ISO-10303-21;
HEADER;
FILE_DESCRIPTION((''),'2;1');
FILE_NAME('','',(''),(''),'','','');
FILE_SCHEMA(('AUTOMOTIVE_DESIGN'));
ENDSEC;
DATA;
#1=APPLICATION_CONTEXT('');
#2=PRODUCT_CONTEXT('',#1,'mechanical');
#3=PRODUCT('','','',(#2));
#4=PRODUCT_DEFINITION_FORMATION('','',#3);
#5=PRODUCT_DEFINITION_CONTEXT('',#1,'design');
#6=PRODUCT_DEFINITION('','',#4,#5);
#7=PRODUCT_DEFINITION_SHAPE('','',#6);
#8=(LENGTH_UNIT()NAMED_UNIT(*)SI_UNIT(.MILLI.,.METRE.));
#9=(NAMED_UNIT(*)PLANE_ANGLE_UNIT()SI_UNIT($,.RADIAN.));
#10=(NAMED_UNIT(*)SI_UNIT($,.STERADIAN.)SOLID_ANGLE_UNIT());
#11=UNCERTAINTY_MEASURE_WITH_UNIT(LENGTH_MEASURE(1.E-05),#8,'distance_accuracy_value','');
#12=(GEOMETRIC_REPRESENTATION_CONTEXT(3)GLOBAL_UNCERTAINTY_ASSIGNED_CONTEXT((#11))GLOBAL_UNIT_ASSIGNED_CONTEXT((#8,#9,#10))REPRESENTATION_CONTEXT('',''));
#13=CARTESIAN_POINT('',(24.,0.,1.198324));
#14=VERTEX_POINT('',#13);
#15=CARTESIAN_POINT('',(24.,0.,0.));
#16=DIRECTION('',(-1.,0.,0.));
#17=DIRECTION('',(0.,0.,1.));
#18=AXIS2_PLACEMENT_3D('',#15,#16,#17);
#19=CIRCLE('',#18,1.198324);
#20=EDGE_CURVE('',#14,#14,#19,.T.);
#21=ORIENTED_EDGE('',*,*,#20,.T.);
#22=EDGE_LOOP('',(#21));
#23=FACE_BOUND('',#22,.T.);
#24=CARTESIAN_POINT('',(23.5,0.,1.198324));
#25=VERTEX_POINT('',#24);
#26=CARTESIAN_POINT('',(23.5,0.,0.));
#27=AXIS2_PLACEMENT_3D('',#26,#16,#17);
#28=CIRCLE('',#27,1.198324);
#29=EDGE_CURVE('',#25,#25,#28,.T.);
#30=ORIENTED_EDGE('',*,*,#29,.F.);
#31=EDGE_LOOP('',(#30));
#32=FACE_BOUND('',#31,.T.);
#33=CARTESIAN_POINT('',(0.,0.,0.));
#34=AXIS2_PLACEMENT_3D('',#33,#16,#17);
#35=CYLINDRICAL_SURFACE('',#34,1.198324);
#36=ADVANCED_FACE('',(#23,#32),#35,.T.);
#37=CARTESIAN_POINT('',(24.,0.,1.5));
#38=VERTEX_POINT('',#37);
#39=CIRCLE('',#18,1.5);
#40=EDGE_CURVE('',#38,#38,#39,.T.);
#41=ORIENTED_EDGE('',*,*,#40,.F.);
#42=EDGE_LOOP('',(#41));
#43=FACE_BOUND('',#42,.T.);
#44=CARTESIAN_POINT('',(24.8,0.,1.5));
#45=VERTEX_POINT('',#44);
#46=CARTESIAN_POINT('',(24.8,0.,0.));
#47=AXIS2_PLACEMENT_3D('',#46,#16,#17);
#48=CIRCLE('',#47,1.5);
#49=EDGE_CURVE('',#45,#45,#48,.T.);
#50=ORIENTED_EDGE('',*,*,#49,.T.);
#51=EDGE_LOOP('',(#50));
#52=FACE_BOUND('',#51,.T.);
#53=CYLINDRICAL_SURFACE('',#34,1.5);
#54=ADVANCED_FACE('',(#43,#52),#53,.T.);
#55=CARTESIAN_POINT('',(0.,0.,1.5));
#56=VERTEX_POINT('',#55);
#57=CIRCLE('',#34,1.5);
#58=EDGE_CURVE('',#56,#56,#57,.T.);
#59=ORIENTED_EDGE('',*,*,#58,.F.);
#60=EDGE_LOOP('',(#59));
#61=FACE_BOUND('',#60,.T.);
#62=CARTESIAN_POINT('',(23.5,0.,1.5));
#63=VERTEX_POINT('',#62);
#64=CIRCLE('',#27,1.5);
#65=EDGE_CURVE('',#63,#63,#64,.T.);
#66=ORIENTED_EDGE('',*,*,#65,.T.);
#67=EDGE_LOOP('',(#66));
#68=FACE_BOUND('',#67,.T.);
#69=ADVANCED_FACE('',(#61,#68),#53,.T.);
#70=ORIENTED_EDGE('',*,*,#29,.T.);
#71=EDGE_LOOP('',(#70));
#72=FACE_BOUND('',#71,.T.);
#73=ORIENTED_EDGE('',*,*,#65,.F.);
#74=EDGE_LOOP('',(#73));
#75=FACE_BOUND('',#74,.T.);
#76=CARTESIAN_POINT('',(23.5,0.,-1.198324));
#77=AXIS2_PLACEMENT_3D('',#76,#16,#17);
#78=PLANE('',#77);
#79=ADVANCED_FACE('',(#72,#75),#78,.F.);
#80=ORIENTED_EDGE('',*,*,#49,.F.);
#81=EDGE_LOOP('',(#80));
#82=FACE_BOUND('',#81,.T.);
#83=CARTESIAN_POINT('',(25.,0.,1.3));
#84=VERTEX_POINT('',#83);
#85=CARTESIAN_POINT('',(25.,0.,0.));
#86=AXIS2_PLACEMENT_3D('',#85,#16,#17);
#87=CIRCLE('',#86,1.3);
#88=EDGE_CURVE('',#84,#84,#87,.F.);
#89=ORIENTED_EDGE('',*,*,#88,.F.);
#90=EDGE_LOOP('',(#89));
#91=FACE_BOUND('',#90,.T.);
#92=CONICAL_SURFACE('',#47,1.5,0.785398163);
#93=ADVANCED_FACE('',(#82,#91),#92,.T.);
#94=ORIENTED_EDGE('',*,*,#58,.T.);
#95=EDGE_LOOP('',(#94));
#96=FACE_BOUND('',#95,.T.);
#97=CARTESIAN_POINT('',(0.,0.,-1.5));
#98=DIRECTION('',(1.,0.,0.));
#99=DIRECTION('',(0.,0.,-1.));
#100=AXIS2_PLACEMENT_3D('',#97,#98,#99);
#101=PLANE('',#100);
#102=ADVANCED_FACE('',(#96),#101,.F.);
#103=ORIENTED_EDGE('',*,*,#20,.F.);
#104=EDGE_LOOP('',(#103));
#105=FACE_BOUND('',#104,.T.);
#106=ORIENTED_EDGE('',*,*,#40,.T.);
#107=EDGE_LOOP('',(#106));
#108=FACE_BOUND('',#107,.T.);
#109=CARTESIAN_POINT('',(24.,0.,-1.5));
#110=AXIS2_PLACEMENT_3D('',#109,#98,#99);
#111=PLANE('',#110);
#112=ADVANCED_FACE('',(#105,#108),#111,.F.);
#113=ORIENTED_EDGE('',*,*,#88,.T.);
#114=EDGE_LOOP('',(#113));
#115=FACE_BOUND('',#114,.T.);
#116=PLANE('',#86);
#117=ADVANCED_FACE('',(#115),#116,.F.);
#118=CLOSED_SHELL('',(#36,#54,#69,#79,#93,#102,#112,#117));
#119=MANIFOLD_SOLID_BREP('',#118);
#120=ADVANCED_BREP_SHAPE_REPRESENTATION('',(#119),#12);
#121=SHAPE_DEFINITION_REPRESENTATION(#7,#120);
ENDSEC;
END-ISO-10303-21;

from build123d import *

# Parameters (mm, degrees)
CHAFL_N1_SIZE = 0.2


with BuildPart() as part:
    # Croquis1 → Revolución1 (revolve)
    with BuildSketch(Plane(origin=(0, 0, 0), x_dir=(1, 0, 0), z_dir=(0, 1, 0))):
        Polygon((0, 0), (25, 0), (25, 1.5), (24, 1.5), (24, 1.198324022), (23.5, 1.198324022), (23.5, 1.5), (0, 1.5), align=None)
    revolve(axis=Axis((0, 0, 0), (1, 0, 0)))

    # Chaflán1
    chafl_n1_edges = [part.edges().sort_by_distance(p)[0] for p in [
        (25, 0, 1.5),
    ]]
    chamfer(chafl_n1_edges, length=CHAFL_N1_SIZE)


solid = part.part
